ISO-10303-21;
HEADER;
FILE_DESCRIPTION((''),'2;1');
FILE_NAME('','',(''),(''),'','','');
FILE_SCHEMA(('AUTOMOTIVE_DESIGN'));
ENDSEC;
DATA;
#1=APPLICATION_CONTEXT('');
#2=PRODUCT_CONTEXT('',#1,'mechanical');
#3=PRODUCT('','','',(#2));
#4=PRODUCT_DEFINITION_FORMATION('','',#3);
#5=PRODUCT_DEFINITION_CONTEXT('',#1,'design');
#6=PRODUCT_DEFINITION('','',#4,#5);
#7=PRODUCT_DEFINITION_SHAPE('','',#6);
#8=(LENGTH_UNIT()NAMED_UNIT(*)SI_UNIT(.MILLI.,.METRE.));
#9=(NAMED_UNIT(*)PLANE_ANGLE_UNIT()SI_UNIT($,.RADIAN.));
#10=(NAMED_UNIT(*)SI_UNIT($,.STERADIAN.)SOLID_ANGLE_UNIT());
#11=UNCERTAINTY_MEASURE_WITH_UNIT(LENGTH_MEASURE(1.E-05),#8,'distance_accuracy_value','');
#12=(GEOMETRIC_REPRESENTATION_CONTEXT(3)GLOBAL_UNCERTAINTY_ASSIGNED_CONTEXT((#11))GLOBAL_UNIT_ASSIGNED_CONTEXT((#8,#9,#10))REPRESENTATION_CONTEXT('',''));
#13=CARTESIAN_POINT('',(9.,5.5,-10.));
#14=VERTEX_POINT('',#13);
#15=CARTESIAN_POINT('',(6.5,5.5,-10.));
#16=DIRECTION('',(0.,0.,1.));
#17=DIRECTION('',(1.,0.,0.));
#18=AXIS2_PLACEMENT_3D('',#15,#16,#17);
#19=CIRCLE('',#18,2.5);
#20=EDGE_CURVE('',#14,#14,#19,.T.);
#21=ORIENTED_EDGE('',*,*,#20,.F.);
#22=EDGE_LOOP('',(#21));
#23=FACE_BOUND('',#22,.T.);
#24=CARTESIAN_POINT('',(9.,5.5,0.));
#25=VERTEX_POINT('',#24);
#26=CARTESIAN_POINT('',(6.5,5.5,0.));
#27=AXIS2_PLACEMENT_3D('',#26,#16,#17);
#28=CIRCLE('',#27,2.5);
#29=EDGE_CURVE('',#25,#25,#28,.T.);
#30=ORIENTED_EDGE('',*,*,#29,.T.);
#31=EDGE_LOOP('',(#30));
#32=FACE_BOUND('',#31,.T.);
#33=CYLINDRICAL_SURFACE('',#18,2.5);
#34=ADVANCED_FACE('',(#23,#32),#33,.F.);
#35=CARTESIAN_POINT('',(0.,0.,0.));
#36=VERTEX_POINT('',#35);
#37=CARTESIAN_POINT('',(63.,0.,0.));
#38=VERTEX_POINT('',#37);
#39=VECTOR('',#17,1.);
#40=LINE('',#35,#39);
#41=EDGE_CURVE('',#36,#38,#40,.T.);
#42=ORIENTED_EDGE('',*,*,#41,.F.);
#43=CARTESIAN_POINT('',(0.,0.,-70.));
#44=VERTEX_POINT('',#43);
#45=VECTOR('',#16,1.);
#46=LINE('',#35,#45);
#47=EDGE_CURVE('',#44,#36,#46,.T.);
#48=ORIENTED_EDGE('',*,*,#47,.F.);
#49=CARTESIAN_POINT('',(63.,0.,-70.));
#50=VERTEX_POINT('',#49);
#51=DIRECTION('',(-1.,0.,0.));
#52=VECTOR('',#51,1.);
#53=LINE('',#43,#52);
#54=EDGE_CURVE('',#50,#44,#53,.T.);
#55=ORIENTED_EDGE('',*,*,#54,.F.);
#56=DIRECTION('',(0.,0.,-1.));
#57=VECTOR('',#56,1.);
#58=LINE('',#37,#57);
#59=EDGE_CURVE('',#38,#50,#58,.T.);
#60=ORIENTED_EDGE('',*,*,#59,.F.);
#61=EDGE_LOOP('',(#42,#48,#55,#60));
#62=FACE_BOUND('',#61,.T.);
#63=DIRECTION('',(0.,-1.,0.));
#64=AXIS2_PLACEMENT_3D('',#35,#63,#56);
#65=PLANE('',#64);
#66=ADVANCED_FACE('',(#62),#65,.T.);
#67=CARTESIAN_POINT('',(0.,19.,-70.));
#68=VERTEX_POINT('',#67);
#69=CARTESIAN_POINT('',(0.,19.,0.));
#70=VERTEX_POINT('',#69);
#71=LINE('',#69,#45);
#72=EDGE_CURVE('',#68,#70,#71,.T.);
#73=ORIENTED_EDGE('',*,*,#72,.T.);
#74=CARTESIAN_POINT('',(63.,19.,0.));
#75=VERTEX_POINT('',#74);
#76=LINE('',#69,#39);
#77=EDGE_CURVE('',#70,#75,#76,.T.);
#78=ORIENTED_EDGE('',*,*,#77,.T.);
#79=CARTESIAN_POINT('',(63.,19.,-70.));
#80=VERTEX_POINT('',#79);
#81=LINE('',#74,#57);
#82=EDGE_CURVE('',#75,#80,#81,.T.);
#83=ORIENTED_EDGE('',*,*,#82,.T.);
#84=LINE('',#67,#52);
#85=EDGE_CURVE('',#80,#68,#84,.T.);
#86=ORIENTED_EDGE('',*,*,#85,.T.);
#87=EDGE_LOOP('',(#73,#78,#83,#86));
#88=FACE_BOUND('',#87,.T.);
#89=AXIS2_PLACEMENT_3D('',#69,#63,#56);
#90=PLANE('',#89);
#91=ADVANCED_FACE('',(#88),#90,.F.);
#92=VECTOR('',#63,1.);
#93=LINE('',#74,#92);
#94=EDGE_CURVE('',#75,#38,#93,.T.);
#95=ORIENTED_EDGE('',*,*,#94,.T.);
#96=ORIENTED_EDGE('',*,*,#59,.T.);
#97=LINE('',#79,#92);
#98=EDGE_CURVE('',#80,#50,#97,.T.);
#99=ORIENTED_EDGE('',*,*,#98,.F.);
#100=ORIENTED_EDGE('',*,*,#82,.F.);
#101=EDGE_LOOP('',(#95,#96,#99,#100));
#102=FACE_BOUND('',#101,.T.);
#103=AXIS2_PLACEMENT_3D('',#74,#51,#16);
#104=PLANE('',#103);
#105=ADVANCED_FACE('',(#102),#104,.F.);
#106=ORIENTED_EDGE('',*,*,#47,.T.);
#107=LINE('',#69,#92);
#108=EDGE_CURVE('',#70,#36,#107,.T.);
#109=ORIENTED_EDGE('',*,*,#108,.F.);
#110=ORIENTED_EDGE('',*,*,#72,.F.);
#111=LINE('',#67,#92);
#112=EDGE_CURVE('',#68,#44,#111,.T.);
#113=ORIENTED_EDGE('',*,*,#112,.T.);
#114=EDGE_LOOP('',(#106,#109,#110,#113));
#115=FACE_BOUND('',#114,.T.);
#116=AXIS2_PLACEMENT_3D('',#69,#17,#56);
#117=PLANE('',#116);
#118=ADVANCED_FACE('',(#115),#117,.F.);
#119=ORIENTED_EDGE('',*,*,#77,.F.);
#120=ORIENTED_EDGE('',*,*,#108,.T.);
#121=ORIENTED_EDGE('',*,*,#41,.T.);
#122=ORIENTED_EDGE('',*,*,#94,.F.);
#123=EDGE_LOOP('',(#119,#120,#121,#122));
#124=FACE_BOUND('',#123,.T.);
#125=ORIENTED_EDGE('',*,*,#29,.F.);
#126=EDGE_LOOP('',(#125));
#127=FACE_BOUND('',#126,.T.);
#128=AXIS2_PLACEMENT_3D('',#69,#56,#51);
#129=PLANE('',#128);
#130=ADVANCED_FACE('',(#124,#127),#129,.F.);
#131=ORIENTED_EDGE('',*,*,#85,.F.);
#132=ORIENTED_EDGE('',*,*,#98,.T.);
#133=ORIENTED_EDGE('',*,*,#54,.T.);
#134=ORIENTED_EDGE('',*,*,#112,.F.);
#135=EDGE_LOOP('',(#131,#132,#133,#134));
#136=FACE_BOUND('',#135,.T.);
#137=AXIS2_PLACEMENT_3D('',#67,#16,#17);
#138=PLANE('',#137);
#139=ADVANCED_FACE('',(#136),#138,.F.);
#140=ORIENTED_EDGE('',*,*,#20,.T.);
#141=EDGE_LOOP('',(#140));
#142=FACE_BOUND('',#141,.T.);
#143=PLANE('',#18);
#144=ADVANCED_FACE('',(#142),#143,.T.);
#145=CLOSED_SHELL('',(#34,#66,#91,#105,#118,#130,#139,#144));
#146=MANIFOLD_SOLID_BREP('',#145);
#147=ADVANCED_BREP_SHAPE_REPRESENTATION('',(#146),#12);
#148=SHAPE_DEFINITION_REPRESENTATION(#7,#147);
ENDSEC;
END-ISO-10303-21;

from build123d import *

# Parameters (mm, degrees)
SKETCH1_W           = 63
SKETCH1_H           = 70
BOSS_EXTRUDE1_DEPTH = 19
SKETCH2_R           = 2.5
CUT_EXTRUDE1_DEPTH  = 10


with BuildPart() as part:
    # Sketch1 → Boss-Extrude1 (new body)
    with BuildSketch(Plane(origin=(0, 0, 0), x_dir=(1, 0, 0), z_dir=(0, 1, 0))):
        with Locations((31.5, 35)):
            Rectangle(SKETCH1_W, SKETCH1_H)
    extrude(amount=BOSS_EXTRUDE1_DEPTH)

    # Sketch2 → Cut-Extrude1 (cut)
    with BuildSketch(Plane.XY):
        with Locations((6.5, 5.5)):
            Circle(SKETCH2_R)
    extrude(amount=-CUT_EXTRUDE1_DEPTH, mode=Mode.SUBTRACT)


solid = part.part
